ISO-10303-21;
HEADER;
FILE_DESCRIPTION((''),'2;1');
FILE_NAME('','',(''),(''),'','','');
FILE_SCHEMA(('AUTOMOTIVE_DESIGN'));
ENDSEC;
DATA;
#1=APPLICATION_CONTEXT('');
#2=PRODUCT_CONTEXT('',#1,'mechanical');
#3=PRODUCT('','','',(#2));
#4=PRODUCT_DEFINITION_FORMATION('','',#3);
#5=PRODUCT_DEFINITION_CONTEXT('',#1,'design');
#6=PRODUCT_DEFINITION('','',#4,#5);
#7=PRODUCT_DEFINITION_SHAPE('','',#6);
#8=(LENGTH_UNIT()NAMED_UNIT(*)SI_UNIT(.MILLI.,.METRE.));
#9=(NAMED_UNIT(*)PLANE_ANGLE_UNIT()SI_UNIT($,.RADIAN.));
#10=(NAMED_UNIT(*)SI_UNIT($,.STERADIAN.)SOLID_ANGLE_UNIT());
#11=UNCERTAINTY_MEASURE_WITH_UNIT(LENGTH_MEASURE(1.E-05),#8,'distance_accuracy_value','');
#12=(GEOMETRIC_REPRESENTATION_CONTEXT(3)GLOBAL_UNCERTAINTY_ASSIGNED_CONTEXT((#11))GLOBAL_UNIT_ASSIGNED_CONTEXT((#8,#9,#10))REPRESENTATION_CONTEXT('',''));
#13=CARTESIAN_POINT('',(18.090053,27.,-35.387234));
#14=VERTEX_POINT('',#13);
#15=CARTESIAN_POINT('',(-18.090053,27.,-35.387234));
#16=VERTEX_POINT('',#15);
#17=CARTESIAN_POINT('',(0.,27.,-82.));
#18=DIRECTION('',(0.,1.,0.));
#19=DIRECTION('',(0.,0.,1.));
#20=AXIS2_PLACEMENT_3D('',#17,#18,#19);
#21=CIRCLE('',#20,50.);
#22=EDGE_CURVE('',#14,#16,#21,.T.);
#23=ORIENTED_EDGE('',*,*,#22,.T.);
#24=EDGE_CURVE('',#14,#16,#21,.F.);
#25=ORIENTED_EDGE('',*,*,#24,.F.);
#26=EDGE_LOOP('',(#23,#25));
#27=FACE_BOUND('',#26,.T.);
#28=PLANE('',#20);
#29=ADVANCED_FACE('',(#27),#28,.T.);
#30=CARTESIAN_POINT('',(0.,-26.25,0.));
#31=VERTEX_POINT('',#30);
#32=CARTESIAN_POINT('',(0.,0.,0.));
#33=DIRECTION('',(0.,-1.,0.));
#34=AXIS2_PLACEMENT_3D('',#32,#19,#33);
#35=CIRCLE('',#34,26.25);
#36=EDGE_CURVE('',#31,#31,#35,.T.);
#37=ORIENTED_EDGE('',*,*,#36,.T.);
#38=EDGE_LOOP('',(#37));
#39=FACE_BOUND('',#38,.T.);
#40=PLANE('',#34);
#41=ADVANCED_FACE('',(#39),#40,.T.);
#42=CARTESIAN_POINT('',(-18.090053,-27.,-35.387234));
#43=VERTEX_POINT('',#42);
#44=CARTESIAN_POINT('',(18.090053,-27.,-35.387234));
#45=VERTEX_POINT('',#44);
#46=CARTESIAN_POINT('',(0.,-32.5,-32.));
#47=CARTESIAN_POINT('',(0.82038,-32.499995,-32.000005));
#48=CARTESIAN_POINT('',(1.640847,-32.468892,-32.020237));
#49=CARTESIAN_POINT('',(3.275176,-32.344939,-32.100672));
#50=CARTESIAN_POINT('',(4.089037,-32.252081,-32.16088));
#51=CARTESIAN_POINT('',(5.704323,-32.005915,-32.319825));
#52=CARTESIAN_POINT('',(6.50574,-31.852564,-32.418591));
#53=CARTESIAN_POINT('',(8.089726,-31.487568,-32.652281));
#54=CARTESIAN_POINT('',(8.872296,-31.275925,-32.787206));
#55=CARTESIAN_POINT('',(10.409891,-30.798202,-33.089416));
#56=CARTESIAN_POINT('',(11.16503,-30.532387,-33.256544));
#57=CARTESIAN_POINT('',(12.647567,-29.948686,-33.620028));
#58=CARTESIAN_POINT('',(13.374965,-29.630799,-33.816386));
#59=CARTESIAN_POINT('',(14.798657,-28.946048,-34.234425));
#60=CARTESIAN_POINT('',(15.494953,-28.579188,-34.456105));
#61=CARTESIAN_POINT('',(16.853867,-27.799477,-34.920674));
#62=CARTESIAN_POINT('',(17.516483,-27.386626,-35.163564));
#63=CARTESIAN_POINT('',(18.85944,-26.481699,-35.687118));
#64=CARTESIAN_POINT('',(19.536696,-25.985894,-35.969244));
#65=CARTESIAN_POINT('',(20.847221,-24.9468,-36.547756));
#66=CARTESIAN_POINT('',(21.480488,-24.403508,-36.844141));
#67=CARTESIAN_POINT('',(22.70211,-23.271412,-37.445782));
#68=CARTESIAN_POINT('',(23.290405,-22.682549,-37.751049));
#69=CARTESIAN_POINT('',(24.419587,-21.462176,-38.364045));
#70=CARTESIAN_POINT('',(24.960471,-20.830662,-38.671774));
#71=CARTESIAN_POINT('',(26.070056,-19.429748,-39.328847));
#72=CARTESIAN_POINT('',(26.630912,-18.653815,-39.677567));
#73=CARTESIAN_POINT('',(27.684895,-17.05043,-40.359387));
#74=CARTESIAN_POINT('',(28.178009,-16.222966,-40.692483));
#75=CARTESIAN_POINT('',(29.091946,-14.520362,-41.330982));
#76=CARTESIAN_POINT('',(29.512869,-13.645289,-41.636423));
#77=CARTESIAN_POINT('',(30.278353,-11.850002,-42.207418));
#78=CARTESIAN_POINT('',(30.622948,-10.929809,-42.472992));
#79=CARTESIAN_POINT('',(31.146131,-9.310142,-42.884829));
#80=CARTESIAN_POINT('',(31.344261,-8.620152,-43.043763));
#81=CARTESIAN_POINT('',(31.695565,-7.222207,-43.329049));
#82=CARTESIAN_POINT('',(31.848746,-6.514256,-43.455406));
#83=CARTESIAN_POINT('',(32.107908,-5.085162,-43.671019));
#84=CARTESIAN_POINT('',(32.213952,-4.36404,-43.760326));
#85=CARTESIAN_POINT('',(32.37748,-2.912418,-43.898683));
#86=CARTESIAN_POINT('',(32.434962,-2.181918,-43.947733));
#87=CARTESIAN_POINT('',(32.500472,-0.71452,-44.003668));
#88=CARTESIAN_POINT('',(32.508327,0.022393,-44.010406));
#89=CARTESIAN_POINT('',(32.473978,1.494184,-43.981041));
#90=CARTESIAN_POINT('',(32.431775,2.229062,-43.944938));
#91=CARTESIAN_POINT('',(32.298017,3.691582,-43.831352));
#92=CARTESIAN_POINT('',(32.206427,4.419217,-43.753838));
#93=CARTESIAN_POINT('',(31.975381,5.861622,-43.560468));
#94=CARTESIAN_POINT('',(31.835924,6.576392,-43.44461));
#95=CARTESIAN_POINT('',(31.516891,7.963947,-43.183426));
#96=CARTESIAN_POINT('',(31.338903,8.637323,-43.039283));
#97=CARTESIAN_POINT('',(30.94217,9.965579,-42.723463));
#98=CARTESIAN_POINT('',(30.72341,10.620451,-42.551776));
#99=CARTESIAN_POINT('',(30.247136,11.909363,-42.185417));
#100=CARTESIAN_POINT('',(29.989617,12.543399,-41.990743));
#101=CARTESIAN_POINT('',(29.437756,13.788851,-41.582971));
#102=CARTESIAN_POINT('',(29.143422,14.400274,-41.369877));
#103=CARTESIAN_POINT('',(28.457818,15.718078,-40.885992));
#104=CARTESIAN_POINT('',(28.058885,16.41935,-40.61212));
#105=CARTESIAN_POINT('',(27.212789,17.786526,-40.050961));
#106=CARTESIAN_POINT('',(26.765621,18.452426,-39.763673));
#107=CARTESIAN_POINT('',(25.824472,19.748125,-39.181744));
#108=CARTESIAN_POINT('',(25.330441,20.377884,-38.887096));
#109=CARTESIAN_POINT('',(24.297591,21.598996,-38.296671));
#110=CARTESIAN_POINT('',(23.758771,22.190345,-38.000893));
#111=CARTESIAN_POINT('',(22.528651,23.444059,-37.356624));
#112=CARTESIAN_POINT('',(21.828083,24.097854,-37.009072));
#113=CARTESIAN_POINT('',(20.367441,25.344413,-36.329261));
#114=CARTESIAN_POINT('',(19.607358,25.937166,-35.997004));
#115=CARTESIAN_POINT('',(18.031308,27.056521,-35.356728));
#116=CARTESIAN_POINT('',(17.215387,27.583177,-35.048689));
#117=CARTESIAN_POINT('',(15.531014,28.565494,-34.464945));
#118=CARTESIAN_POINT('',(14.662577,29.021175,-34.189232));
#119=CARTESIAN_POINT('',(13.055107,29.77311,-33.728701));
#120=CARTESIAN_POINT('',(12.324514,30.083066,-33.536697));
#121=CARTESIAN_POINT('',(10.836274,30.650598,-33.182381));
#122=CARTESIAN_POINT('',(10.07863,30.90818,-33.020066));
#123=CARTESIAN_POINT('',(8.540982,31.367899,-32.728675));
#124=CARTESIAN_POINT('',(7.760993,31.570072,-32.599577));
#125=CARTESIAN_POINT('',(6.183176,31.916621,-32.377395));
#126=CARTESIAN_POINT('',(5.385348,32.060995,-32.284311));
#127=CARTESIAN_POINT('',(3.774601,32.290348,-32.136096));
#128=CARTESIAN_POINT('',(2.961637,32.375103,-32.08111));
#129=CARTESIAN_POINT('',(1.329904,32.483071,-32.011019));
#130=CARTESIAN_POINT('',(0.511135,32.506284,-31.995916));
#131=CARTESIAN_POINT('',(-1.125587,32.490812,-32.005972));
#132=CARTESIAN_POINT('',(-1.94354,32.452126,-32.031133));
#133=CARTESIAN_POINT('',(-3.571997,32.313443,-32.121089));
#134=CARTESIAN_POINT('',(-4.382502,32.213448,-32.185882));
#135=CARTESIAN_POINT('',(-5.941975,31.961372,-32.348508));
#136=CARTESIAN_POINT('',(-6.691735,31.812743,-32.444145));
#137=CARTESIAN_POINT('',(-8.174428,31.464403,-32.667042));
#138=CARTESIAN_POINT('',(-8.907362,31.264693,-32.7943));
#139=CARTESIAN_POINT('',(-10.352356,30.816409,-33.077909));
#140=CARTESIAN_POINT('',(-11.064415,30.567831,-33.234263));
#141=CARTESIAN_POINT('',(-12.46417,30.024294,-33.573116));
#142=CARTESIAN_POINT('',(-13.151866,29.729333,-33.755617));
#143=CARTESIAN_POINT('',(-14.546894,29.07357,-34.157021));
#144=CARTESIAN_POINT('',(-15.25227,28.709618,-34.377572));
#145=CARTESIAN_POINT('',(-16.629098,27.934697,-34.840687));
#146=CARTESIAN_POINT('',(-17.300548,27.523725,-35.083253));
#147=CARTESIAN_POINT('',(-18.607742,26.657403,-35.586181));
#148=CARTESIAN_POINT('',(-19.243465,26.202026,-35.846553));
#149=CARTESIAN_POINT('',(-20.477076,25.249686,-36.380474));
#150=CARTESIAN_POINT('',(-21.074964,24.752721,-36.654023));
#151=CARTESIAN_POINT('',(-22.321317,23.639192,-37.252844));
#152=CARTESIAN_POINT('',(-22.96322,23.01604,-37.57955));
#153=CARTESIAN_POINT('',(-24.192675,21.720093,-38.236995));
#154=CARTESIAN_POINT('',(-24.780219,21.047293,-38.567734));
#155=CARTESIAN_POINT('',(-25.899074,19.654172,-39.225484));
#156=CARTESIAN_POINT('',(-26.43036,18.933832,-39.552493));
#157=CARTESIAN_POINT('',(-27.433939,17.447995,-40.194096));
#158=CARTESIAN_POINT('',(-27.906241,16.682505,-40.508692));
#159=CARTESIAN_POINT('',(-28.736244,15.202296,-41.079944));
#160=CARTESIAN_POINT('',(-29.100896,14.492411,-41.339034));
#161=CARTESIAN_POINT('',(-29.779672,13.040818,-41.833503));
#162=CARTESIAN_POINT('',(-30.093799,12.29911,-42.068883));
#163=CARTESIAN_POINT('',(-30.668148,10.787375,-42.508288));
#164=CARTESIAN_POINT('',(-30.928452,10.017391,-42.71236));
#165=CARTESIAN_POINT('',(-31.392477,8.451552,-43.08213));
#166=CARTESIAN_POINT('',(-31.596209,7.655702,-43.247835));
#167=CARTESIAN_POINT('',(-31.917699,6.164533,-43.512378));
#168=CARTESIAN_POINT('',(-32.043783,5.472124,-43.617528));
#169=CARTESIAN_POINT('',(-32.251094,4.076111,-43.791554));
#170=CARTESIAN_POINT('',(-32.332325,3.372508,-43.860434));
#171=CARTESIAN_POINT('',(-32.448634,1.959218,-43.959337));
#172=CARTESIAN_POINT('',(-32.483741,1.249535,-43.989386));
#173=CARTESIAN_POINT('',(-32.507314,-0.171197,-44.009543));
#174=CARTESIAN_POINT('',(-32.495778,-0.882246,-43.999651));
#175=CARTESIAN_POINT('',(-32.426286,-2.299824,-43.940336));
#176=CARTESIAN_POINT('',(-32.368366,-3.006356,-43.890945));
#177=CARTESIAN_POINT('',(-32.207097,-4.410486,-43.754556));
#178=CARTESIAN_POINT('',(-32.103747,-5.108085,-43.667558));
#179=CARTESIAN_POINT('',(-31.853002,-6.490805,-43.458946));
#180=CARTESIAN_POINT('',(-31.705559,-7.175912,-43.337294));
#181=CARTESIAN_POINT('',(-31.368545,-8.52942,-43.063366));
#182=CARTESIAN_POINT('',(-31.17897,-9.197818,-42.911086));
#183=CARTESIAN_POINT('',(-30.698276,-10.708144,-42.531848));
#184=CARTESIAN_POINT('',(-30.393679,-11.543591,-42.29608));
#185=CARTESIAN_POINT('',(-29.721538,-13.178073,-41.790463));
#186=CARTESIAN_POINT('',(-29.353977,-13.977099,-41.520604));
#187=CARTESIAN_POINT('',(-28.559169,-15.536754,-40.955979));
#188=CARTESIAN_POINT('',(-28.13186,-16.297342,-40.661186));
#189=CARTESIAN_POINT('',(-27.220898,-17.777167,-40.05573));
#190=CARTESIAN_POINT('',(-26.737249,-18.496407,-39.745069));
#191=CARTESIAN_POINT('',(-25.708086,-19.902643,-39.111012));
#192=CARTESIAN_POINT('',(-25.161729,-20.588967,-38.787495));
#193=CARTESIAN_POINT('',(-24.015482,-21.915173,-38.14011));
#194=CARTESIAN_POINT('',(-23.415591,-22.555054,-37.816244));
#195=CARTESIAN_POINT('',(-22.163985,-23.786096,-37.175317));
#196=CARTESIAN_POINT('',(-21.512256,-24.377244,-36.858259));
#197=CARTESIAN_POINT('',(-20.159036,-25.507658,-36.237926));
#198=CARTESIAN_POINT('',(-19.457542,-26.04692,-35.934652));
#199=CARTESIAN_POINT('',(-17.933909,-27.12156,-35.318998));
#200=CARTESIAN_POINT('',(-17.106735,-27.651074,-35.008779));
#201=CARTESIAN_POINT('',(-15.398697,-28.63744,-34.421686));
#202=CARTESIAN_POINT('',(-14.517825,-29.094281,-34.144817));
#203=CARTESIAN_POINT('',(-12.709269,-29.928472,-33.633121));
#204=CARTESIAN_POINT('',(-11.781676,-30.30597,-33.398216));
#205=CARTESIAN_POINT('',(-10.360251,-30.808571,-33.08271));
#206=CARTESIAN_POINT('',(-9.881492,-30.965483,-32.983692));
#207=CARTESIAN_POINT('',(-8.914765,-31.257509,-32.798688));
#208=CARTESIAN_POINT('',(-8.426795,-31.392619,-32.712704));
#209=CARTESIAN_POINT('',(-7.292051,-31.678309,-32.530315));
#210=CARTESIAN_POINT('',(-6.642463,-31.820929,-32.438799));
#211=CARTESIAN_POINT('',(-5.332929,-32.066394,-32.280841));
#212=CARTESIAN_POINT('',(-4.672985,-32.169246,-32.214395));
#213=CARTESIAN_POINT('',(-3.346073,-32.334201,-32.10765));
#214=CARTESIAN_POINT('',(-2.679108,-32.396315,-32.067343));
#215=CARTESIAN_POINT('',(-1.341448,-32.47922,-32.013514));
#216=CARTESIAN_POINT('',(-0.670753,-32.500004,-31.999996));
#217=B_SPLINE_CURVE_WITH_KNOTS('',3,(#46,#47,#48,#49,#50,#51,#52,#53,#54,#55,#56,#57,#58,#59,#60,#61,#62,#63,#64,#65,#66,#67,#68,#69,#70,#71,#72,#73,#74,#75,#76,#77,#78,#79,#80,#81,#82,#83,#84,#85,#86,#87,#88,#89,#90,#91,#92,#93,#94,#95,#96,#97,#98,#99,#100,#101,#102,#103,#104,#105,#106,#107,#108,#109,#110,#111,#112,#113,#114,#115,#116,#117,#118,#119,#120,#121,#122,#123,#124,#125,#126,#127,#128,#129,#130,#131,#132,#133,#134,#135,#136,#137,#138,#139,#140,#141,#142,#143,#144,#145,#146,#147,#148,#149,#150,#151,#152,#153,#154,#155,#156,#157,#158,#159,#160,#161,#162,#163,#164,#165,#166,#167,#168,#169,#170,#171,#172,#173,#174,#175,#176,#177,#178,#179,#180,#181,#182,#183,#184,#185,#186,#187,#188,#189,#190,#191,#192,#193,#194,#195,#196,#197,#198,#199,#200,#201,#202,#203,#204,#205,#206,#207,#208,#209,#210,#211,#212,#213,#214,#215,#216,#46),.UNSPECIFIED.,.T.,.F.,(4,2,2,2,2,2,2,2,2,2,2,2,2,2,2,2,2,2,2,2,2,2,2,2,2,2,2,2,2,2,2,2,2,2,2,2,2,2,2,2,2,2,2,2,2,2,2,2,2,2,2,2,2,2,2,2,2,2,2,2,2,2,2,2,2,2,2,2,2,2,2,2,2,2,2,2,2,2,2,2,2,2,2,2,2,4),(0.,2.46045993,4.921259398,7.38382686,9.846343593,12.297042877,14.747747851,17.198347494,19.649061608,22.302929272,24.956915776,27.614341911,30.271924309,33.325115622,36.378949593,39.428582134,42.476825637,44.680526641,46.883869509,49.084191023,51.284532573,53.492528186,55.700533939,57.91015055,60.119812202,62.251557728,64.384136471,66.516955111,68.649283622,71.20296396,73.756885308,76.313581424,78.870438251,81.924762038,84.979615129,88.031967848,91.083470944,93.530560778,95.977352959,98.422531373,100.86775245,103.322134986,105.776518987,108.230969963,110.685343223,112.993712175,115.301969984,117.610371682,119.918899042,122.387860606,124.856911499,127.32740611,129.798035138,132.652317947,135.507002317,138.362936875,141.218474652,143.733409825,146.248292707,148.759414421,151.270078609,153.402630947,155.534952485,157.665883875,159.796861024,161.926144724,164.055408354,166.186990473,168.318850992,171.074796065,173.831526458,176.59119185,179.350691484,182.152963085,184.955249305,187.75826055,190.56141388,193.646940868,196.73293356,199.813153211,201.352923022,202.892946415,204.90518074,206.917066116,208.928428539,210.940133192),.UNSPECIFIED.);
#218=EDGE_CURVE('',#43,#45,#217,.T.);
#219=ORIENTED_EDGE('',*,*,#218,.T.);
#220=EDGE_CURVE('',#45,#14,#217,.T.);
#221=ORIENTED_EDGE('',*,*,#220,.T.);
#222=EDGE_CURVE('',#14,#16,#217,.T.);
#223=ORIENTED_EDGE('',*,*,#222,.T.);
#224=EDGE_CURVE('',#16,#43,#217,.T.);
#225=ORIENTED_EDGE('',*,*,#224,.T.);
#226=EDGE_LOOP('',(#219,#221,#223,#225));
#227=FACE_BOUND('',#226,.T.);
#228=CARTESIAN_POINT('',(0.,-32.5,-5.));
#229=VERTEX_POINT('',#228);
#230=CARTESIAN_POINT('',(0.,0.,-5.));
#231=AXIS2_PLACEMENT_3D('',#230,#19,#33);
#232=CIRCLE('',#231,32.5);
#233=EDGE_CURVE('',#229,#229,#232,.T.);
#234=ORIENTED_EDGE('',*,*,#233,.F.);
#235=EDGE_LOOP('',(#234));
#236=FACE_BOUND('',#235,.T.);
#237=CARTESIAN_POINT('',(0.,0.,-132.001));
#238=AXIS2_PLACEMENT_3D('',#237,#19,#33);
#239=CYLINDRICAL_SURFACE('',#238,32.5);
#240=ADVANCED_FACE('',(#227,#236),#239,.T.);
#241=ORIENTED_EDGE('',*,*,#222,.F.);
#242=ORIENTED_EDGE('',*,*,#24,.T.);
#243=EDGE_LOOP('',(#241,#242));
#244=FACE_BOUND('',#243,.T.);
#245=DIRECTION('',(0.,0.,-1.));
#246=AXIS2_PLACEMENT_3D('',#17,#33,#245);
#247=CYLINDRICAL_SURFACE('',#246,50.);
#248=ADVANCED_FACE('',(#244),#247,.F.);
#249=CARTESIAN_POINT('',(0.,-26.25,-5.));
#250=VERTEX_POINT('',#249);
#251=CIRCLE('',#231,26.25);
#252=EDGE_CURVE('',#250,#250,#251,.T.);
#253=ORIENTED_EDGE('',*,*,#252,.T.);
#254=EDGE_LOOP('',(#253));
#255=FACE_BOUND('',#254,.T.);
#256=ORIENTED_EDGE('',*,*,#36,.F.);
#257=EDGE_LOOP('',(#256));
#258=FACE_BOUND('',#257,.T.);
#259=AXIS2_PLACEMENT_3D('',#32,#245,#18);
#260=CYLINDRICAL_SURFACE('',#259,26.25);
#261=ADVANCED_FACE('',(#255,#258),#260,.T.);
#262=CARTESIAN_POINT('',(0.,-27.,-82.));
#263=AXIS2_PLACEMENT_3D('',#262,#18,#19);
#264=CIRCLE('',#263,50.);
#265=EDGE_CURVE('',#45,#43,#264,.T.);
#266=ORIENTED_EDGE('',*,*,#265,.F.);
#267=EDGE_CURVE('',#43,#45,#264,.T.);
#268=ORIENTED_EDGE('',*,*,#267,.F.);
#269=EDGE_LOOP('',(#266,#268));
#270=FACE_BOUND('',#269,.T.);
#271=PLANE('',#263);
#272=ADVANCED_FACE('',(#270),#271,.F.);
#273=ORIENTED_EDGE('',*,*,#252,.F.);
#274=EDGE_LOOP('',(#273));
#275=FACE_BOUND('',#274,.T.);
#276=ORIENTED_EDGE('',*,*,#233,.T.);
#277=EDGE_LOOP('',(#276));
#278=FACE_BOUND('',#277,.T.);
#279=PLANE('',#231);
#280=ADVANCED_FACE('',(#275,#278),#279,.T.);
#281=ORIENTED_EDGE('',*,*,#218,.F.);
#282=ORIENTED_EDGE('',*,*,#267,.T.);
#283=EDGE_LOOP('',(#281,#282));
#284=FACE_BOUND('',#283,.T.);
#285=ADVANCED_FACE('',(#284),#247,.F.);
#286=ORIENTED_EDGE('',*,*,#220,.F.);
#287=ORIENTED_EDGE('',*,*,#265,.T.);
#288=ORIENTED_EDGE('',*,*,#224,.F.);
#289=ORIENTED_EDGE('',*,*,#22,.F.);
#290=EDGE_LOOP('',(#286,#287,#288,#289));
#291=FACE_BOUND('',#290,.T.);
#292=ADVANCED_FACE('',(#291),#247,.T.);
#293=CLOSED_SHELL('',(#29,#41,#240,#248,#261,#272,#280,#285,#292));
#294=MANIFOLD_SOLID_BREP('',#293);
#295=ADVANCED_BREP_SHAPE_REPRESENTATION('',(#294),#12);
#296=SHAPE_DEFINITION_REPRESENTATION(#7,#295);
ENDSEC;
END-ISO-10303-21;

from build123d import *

# Parameters (mm, degrees)
SKETCH1_R                = 50
BOSS_EXTRUDE1_DEPTH      = 27
BOSS_EXTRUDE2_REACH      = 141.133
BOSS_EXTRUDE2_END_RADIUS = 50
SKETCH2_R                = 32.5
SKETCH3_R                = 26.25
BOSS_EXTRUDE3_DEPTH      = 5
BODY_MOVE_COPY2_ANGLE    = 120


with BuildPart() as part:
    # Sketch1 → Boss-Extrude1 (new, symmetric)
    with BuildSketch(Plane.XY):
        Circle(SKETCH1_R)
    extrude(amount=BOSS_EXTRUDE1_DEPTH, both=True)

    # Boss-Extrude2: up to this cylinder (the profile starts outside it)
    boss_extrude2_end = Plane(origin=(0, 0, 0), z_dir=(0, 0, -1)) * Cylinder(BOSS_EXTRUDE2_END_RADIUS, 383.266, mode=Mode.PRIVATE)
    # Sketch2 → Boss-Extrude2 (add, up to the surface)
    with BuildSketch(Plane(origin=(77, 0, 0), x_dir=(0, 0, -1), z_dir=(1, 0, 0)), mode=Mode.PRIVATE) as boss_extrude2_sk1:
        Circle(SKETCH2_R)
    boss_extrude2_tool1 = extrude(boss_extrude2_sk1.sketch, amount=-BOSS_EXTRUDE2_REACH, mode=Mode.PRIVATE) - boss_extrude2_end
    add(boss_extrude2_tool1.solids().sort_by_distance((77, 0, 0))[0])

    # Sketch3 → Boss-Extrude3 (add)
    with BuildSketch(Plane(origin=(77, 0, 0), x_dir=(0, 0, -1), z_dir=(1, 0, 0))):
        Circle(SKETCH3_R)
    extrude(amount=BOSS_EXTRUDE3_DEPTH)


with BuildPart() as part_1:
    # Body-Move/Copy1: moved
    add(part.part.moved(Location((-82, 0, 0))))


with BuildPart() as part_2:
    # Body-Move/Copy2: moved
    add(part_1.part.rotate(Axis((0, 0, 0), (-0.5773502691896272, -0.5773502691896252, -0.5773502691896252)), BODY_MOVE_COPY2_ANGLE))


solid = part_2.part
